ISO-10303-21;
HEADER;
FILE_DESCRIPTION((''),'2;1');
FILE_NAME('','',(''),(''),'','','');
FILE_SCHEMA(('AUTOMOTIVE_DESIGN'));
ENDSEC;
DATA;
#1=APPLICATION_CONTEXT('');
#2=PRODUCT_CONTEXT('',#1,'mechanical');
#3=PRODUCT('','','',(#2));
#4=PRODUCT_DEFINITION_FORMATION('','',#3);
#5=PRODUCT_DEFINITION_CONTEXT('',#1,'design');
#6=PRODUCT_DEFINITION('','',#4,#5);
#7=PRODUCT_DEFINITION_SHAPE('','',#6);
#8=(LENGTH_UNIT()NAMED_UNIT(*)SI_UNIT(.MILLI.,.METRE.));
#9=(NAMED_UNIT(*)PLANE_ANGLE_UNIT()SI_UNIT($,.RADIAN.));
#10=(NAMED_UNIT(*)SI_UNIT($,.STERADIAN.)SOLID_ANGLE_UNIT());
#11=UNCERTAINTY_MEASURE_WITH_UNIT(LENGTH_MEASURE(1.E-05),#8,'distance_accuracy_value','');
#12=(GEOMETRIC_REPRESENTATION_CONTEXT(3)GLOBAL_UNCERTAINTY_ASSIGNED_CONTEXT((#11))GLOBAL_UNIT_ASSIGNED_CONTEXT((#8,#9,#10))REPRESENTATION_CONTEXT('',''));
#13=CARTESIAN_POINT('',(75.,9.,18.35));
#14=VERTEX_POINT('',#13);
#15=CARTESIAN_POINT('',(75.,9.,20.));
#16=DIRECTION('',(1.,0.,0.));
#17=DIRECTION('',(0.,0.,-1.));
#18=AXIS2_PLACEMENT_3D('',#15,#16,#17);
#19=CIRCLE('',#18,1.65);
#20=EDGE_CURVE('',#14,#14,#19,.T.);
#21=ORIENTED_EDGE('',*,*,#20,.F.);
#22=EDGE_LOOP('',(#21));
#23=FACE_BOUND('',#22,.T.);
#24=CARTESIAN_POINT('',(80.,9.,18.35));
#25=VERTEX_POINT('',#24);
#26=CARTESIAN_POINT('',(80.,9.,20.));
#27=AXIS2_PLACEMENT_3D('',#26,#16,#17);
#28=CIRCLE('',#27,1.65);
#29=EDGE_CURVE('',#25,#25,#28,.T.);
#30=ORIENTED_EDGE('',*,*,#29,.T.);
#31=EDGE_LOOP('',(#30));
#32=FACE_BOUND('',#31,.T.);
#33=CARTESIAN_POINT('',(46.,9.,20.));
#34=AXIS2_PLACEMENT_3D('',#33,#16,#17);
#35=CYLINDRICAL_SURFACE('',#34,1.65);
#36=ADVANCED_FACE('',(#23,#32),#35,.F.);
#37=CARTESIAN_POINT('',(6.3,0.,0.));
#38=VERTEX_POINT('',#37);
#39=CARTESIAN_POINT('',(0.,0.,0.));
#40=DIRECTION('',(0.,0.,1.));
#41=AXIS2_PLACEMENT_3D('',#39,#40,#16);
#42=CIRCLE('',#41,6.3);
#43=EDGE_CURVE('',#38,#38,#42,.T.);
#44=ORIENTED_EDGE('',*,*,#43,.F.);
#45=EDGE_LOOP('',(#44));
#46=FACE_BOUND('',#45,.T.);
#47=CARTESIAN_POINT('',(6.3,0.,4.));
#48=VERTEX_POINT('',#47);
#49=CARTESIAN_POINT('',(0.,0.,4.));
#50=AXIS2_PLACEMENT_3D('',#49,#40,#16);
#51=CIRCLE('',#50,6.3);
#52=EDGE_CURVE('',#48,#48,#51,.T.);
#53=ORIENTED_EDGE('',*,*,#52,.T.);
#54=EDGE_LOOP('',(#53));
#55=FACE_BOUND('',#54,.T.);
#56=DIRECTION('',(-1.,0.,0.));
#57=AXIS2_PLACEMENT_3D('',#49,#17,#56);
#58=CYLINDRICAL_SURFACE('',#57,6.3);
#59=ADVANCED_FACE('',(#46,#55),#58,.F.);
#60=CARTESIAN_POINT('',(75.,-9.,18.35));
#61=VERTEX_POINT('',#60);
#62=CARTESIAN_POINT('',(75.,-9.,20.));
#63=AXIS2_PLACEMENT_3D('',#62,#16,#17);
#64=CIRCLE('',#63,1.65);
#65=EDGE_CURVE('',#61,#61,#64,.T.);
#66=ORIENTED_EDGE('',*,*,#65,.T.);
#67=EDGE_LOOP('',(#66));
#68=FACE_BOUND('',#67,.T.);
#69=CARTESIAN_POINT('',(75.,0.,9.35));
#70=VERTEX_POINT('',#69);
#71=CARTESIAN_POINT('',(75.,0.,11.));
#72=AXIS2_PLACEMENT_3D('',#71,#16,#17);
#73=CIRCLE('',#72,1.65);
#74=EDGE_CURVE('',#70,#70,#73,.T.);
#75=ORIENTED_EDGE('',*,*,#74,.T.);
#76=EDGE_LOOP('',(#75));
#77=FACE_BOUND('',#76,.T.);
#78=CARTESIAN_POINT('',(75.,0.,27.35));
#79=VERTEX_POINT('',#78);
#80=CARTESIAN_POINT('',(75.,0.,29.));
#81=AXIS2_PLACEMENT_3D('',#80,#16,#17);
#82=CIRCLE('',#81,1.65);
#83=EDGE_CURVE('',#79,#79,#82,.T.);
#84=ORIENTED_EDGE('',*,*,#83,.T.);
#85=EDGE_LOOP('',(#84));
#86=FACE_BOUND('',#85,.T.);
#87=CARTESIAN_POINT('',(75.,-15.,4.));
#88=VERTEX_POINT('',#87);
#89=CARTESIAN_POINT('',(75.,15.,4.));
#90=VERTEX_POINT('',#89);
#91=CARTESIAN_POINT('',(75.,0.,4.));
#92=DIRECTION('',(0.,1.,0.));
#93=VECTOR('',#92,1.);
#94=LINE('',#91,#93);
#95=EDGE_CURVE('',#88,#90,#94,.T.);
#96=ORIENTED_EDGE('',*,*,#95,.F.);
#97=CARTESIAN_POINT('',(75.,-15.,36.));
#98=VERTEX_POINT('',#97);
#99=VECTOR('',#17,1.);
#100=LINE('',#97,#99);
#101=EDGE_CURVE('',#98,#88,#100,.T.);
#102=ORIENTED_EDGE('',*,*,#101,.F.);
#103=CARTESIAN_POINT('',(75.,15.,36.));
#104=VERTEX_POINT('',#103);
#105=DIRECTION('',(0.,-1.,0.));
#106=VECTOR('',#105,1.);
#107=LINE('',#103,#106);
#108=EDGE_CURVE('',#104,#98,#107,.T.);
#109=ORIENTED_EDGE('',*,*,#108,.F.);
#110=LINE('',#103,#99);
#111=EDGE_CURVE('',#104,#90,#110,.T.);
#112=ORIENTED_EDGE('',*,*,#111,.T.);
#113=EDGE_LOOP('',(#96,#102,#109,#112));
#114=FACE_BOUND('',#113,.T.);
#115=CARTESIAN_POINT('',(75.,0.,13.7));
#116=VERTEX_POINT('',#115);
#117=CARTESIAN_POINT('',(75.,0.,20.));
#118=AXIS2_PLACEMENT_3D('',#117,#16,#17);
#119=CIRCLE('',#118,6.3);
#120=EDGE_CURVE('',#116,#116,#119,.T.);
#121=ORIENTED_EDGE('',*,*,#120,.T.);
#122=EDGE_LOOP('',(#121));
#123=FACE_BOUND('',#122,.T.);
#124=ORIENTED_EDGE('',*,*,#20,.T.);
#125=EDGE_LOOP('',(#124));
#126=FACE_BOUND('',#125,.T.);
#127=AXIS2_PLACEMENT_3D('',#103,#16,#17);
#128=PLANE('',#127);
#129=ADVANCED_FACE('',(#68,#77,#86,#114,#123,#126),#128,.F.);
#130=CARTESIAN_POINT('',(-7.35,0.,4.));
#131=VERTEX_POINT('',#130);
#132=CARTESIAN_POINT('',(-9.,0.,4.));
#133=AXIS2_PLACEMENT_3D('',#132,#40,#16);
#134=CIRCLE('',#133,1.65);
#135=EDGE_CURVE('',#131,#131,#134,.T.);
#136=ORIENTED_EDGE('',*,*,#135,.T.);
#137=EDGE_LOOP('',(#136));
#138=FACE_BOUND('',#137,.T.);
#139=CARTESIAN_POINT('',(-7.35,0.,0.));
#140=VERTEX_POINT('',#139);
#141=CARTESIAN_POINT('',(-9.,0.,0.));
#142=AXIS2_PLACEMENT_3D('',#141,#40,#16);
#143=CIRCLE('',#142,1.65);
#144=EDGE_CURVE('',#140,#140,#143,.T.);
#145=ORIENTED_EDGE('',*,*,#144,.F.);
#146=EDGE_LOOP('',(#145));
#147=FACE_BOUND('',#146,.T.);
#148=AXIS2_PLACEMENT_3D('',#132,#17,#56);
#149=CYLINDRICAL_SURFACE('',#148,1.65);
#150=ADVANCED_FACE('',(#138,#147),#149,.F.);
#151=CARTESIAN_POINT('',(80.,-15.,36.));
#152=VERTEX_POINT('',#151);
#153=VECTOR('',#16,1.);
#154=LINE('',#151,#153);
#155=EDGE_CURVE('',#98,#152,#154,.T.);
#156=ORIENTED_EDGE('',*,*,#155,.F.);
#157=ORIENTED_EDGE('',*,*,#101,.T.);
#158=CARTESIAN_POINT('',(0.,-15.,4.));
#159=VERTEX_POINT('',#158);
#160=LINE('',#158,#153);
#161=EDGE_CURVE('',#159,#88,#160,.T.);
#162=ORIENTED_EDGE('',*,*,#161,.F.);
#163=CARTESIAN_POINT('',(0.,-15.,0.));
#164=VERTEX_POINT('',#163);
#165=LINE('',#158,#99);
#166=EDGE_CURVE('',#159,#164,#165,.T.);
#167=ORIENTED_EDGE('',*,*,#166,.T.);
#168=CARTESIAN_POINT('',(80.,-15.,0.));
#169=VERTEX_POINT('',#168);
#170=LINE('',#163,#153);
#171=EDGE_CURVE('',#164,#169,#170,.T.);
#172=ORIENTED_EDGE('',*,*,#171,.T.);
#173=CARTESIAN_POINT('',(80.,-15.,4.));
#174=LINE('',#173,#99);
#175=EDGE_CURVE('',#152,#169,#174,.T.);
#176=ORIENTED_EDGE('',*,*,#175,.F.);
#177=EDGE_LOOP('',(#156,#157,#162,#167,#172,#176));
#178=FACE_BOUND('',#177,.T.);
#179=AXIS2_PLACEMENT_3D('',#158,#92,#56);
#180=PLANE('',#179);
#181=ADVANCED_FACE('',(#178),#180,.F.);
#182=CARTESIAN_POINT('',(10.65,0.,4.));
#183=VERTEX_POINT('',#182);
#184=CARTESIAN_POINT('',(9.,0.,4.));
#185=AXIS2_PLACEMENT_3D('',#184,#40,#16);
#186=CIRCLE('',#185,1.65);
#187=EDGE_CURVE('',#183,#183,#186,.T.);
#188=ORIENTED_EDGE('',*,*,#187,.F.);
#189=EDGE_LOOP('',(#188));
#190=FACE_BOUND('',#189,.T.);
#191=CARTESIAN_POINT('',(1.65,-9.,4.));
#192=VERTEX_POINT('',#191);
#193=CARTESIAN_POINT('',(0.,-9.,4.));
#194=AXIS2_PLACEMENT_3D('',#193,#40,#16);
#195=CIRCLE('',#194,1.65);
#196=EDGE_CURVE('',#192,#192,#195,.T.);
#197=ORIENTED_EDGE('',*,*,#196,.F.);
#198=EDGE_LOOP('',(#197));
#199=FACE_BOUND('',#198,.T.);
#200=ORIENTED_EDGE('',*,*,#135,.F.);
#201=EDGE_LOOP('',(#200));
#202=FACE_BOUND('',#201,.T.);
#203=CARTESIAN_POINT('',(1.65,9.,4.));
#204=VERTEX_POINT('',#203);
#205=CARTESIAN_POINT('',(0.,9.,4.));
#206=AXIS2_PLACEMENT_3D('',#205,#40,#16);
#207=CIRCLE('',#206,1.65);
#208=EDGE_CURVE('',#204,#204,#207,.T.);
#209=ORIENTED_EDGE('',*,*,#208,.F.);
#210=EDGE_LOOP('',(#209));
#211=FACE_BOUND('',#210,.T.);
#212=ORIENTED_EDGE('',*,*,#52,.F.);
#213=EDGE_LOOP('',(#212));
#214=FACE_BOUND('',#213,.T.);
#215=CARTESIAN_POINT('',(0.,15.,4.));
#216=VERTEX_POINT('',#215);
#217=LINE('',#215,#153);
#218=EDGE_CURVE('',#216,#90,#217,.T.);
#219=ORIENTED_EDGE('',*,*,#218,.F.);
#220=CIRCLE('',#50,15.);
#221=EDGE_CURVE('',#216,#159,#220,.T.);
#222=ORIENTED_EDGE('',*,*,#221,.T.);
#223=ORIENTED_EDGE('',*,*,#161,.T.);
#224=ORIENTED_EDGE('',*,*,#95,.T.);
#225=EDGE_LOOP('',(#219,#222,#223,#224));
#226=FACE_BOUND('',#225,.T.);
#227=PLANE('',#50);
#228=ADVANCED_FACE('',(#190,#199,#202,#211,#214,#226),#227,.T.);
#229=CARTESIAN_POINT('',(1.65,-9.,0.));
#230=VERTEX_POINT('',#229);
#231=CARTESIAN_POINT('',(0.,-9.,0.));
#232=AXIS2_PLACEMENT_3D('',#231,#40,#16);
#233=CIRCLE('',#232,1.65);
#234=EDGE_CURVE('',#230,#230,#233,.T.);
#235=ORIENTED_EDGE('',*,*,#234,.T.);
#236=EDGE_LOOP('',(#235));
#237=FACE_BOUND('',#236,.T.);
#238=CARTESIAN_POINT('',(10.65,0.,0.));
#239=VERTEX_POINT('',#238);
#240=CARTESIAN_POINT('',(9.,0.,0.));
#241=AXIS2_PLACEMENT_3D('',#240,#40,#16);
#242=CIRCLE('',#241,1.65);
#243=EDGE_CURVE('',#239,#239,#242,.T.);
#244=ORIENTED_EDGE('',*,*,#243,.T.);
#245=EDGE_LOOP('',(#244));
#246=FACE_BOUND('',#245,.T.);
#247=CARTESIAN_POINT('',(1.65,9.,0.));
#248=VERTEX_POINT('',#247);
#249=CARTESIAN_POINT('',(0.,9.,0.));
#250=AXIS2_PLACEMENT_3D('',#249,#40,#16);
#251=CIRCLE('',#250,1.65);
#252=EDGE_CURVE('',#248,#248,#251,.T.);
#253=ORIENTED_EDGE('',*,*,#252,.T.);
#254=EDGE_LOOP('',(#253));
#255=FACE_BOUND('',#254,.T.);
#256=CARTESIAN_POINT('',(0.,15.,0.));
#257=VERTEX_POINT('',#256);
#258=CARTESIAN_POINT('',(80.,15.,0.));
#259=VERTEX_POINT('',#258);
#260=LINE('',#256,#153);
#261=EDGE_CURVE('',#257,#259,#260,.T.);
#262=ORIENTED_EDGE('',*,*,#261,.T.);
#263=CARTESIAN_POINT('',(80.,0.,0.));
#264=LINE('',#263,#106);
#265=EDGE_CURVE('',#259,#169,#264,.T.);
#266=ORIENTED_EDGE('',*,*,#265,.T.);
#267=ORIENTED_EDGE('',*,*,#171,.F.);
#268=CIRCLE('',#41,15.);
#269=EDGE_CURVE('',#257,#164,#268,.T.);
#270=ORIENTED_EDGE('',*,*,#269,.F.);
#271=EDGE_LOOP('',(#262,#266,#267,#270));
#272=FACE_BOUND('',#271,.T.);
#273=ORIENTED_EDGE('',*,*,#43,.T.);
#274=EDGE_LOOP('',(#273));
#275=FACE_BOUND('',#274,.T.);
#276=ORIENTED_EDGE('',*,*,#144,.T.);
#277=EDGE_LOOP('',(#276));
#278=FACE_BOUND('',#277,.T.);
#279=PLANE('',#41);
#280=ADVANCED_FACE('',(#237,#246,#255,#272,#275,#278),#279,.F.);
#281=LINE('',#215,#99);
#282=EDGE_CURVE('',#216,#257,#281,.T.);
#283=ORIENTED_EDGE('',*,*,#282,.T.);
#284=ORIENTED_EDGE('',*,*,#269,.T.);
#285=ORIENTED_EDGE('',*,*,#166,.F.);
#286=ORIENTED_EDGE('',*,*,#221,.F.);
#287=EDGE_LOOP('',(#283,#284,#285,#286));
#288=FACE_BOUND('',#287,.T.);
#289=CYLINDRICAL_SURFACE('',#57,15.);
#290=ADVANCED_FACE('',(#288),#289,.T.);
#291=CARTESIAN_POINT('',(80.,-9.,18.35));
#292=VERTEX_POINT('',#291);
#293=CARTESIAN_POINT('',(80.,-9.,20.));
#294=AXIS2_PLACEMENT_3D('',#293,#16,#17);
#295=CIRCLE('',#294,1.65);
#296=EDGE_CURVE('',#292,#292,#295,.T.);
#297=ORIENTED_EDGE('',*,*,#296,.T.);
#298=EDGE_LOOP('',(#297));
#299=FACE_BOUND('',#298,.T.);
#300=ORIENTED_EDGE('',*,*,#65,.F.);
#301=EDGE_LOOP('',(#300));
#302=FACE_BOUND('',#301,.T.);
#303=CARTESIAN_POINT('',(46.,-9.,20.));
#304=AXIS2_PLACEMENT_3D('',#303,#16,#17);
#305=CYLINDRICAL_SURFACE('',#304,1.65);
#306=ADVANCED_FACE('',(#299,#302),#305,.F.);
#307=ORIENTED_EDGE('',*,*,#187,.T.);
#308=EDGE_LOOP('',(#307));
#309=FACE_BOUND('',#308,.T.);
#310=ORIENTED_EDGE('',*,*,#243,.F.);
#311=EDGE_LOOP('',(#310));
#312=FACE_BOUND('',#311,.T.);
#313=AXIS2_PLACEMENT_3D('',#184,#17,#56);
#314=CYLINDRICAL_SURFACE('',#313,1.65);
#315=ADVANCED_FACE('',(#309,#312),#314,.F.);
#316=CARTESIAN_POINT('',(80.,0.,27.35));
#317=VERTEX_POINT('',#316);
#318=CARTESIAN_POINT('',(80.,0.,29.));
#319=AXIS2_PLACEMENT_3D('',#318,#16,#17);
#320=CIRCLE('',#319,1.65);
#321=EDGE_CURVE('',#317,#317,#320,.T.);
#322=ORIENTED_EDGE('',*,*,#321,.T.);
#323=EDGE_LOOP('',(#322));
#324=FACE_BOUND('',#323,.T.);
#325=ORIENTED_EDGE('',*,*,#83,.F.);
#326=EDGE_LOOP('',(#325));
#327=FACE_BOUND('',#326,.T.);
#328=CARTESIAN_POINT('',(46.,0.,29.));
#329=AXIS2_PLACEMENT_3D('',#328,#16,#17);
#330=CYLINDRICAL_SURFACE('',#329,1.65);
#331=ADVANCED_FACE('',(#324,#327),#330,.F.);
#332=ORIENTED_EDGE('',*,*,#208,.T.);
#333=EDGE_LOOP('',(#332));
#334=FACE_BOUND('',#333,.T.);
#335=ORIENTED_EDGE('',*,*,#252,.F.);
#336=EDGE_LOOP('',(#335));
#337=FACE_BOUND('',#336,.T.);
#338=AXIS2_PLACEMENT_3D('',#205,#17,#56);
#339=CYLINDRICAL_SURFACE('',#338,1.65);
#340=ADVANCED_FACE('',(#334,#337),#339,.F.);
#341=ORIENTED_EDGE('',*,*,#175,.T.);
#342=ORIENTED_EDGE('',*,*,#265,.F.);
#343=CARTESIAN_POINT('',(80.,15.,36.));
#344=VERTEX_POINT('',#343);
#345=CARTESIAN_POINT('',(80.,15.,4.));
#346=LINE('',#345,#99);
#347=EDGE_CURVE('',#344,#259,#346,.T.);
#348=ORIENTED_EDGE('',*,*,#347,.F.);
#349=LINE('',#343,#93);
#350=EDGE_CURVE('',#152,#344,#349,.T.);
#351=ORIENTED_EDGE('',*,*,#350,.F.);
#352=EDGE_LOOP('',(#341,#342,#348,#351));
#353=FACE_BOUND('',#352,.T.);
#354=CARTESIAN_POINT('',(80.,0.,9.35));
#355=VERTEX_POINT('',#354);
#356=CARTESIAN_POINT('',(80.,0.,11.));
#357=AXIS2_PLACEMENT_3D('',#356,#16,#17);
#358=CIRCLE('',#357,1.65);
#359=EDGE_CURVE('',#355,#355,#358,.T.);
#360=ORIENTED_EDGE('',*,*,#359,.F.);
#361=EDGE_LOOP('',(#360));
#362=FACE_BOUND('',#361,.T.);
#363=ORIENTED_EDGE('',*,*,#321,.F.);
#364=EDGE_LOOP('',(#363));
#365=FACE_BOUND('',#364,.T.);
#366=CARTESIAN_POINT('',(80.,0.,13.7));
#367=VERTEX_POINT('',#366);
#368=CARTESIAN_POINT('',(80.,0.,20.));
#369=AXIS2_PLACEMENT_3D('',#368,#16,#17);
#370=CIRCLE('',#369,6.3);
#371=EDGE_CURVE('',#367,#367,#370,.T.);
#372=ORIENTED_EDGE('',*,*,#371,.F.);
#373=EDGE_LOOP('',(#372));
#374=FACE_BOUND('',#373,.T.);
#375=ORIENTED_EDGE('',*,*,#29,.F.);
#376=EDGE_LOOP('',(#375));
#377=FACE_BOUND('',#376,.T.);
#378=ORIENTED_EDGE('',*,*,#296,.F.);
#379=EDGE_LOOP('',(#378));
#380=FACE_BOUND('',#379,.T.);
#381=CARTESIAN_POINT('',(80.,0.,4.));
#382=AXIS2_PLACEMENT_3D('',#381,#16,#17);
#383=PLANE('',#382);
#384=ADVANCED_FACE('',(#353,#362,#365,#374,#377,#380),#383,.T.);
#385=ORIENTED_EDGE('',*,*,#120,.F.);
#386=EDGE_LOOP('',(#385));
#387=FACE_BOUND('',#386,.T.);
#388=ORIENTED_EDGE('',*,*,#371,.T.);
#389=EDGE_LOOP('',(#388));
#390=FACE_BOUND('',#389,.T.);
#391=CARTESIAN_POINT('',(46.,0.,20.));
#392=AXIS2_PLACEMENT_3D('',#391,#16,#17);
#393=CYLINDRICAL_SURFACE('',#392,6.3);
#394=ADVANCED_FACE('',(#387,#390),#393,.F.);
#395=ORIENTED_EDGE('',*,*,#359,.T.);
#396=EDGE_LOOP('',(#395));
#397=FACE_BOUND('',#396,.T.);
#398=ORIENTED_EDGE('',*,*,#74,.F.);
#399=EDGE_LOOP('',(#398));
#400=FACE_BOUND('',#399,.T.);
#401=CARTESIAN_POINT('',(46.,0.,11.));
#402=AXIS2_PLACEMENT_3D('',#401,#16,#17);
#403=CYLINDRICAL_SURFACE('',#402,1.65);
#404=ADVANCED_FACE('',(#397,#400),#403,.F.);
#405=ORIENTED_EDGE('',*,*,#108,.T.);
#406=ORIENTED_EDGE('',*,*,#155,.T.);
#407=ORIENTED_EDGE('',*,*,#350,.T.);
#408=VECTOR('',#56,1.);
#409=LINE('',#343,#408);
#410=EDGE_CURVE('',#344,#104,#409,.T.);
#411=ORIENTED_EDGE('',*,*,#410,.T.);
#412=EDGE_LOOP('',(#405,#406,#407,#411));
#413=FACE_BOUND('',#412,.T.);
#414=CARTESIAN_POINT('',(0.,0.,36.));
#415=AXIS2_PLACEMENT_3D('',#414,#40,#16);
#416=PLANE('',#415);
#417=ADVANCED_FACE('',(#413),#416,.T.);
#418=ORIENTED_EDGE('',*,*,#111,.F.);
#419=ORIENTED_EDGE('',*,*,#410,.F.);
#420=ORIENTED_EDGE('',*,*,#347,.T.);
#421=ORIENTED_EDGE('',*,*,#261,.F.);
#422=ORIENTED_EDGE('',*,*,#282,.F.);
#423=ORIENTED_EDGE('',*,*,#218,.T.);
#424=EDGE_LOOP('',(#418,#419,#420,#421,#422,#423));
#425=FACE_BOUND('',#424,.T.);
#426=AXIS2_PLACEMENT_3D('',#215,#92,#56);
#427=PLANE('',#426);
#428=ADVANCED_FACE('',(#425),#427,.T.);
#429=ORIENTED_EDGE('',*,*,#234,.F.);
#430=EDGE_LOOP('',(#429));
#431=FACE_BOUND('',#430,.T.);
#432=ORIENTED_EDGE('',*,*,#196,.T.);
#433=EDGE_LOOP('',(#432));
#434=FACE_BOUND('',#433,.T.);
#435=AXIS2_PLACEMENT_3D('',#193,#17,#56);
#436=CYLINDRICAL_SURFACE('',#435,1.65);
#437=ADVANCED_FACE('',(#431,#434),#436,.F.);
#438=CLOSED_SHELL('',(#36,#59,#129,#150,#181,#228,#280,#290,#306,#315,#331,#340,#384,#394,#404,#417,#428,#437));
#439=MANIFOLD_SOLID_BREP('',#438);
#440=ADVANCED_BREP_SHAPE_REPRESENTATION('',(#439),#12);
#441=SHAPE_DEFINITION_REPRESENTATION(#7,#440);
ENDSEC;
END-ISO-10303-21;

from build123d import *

# Parameters (mm, degrees)
EXTRUDE_1_DEPTH     = 4
SKETCH_2_W          = 5
SKETCH_2_H          = 30
EXTRUDE_2_DEPTH     = 36
SKETCH_4_R          = 6.3
SKETCH_4_R_2        = 1.65
CUT_EXTRUDE_1_DEPTH = 34


with BuildPart() as part:
    # 草图1 → 凸台-拉伸1 (new body)
    with BuildSketch(Plane.XY):
        with BuildLine():
            Line((0, 10.65), (0, 15))
            ThreePointArc((0, 15), (-15, 0), (0, -15))
            Line((0, -15), (0, -10.65))
            ThreePointArc((0, -10.65), (-1.219028814, -10.111966164), (-1.643053084, -8.84875))
            ThreePointArc((-1.643053084, -8.84875), (-6.363961031, -6.363961031), (-8.84875, -1.643053084))
            ThreePointArc((-8.84875, -1.643053084), (-10.65, 0), (-8.84875, 1.643053084))
            ThreePointArc((-8.84875, 1.643053084), (-6.363961031, 6.363961031), (-1.643053084, 8.84875))
            ThreePointArc((-1.643053084, 8.84875), (-1.219028814, 10.111966164), (0, 10.65))
        make_face()
        with BuildLine():
            ThreePointArc((0, 7.35), (-1.111966164, 7.780971186), (-1.643053084, 8.84875))
            ThreePointArc((-1.643053084, 8.84875), (-6.363961031, 6.363961031), (-8.84875, 1.643053084))
            ThreePointArc((-8.84875, 1.643053084), (-7.780971186, 1.111966164), (-7.35, 0))
            ThreePointArc((-7.35, 0), (-7.780971186, -1.111966164), (-8.84875, -1.643053084))
            ThreePointArc((-8.84875, -1.643053084), (-6.363961031, -6.363961031), (-1.643053084, -8.84875))
            ThreePointArc((-1.643053084, -8.84875), (-1.111966164, -7.780971186), (0, -7.35))
            Line((0, -7.35), (0, -6.3))
            ThreePointArc((0, -6.3), (-6.3, 0), (0, 6.3))
            Line((0, 6.3), (0, 7.35))
        make_face()
        with BuildLine():
            ThreePointArc((1.643053084, 8.84875), (1.111966164, 7.780971186), (0, 7.35))
            Line((0, 7.35), (0, 6.3))
            ThreePointArc((0, 6.3), (4.454772721, 4.454772721), (6.3, 0))
            ThreePointArc((6.3, 0), (4.454772721, -4.454772721), (0, -6.3))
            Line((0, -6.3), (0, -7.35))
            ThreePointArc((0, -7.35), (1.111966164, -7.780971186), (1.643053084, -8.84875))
            ThreePointArc((1.643053084, -8.84875), (6.363961031, -6.363961031), (8.84875, -1.643053084))
            ThreePointArc((8.84875, -1.643053084), (7.35, 0), (8.84875, 1.643053084))
            ThreePointArc((8.84875, 1.643053084), (6.363961031, 6.363961031), (1.643053084, 8.84875))
        make_face()
        with BuildLine():
            ThreePointArc((15, 0), (10.606601718, 10.606601718), (0, 15))
            Line((0, 15), (0, 10.65))
            ThreePointArc((0, 10.65), (1.166726189, 10.166726189), (1.65, 9))
            ThreePointArc((1.65, 9), (1.648262356, 8.924295274), (1.643053084, 8.84875))
            ThreePointArc((1.643053084, 8.84875), (6.363961031, 6.363961031), (8.84875, 1.643053084))
            ThreePointArc((8.84875, 1.643053084), (10.111966164, 1.219028814), (10.65, 0))
            ThreePointArc((10.65, 0), (10.111966164, -1.219028814), (8.84875, -1.643053084))
            ThreePointArc((8.84875, -1.643053084), (6.363961031, -6.363961031), (1.643053084, -8.84875))
            ThreePointArc((1.643053084, -8.84875), (1.648262356, -8.924295274), (1.65, -9))
            ThreePointArc((1.65, -9), (1.166726189, -10.166726189), (0, -10.65))
            Line((0, -10.65), (0, -15))
            ThreePointArc((0, -15), (10.606601718, -10.606601718), (15, 0))
        make_face()
        with BuildLine():
            Line((80, 15), (0, 15))
            ThreePointArc((0, 15), (10.606601718, 10.606601718), (15, 0))
            ThreePointArc((15, 0), (10.606601718, -10.606601718), (0, -15))
            Line((0, -15), (80, -15))
            Line((80, -15), (80, 15))
        make_face()
    extrude(amount=EXTRUDE_1_DEPTH)

    # 草图2 → 凸台-拉伸2 (add)
    with BuildSketch(Plane.XY):
        with Locations((77.5, 0)):
            Rectangle(SKETCH_2_W, SKETCH_2_H)
    extrude(amount=EXTRUDE_2_DEPTH)

    # 草图4 → 切除-拉伸1 (cut)
    with BuildSketch(Plane(origin=(80, 0, 0), x_dir=(0, 0, -1), z_dir=(1, 0, 0))):
        with Locations((-20, 0)):
            Circle(SKETCH_4_R)
        with Locations((-29, 0)):
            Circle(SKETCH_4_R_2)
        with Locations((-20, 9)):
            Circle(SKETCH_4_R_2)
        with Locations((-11, 0)):
            Circle(SKETCH_4_R_2)
        with Locations((-20, -9)):
            Circle(SKETCH_4_R_2)
    extrude(amount=-CUT_EXTRUDE_1_DEPTH, mode=Mode.SUBTRACT)


solid = part.part
